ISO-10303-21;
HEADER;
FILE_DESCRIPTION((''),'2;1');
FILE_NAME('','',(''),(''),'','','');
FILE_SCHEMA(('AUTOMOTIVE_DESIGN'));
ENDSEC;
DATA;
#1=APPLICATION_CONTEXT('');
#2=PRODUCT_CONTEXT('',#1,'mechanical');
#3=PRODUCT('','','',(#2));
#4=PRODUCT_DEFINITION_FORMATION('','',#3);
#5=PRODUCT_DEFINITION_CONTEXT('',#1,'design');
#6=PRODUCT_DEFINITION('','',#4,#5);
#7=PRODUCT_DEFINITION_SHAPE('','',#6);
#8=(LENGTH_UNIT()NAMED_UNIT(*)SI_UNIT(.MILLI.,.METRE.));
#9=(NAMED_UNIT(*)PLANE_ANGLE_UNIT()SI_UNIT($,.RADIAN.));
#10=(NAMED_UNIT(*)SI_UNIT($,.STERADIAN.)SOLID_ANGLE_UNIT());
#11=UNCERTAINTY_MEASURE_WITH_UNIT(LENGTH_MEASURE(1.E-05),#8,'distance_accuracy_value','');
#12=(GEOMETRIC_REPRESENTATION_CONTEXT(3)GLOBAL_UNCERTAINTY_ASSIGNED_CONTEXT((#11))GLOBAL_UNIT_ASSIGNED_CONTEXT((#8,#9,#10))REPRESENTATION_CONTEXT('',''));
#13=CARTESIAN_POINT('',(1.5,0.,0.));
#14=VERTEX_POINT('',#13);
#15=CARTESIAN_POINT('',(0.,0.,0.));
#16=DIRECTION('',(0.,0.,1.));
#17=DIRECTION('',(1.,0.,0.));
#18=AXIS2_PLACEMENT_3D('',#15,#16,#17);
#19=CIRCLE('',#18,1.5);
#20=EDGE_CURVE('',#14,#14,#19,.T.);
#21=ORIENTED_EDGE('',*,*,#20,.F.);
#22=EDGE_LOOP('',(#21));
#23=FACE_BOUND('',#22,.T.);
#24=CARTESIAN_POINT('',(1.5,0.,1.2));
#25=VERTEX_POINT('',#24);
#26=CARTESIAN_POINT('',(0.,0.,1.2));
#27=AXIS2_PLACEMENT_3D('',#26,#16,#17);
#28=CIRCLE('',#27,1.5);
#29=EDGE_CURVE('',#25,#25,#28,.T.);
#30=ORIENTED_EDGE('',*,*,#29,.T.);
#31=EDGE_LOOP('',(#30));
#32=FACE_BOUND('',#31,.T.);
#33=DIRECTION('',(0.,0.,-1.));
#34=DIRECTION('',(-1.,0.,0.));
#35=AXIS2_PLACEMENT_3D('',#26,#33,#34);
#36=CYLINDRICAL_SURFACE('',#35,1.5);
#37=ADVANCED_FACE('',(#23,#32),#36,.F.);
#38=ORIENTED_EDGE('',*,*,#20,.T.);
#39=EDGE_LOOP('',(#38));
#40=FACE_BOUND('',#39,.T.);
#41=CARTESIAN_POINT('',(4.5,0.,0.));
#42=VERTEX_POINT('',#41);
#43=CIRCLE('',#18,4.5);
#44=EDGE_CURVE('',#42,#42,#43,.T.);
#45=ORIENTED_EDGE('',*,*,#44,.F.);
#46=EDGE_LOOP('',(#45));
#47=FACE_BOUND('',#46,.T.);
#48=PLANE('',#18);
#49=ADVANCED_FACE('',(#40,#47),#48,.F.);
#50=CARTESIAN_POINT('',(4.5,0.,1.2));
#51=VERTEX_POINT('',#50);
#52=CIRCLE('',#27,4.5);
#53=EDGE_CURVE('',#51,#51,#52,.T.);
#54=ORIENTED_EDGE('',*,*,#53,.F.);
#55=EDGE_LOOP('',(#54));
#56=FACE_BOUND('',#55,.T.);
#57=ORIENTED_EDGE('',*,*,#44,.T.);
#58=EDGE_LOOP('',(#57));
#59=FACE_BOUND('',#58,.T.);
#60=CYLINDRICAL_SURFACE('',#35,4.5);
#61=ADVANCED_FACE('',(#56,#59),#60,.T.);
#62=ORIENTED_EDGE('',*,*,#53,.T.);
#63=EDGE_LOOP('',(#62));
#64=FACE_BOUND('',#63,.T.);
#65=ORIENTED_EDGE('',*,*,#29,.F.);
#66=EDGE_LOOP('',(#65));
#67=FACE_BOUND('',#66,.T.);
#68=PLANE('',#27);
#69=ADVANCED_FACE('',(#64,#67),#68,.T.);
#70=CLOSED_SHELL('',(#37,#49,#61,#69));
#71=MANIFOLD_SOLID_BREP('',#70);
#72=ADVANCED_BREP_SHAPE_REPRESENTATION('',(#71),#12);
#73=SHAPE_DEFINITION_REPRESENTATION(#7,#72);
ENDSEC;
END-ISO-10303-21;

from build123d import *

# Parameters (mm, degrees)
ESQUISSE1_R      = 4.5
ESQUISSE1_R_2    = 1.5
EXTRUSION1_DEPTH = 1.2


with BuildPart() as part:
    # Esquisse1 → Extrusion1 (new body)
    with BuildSketch(Plane.XY):
        Circle(ESQUISSE1_R)
        Circle(ESQUISSE1_R_2, mode=Mode.SUBTRACT)
    extrude(amount=EXTRUSION1_DEPTH)


solid = part.part
